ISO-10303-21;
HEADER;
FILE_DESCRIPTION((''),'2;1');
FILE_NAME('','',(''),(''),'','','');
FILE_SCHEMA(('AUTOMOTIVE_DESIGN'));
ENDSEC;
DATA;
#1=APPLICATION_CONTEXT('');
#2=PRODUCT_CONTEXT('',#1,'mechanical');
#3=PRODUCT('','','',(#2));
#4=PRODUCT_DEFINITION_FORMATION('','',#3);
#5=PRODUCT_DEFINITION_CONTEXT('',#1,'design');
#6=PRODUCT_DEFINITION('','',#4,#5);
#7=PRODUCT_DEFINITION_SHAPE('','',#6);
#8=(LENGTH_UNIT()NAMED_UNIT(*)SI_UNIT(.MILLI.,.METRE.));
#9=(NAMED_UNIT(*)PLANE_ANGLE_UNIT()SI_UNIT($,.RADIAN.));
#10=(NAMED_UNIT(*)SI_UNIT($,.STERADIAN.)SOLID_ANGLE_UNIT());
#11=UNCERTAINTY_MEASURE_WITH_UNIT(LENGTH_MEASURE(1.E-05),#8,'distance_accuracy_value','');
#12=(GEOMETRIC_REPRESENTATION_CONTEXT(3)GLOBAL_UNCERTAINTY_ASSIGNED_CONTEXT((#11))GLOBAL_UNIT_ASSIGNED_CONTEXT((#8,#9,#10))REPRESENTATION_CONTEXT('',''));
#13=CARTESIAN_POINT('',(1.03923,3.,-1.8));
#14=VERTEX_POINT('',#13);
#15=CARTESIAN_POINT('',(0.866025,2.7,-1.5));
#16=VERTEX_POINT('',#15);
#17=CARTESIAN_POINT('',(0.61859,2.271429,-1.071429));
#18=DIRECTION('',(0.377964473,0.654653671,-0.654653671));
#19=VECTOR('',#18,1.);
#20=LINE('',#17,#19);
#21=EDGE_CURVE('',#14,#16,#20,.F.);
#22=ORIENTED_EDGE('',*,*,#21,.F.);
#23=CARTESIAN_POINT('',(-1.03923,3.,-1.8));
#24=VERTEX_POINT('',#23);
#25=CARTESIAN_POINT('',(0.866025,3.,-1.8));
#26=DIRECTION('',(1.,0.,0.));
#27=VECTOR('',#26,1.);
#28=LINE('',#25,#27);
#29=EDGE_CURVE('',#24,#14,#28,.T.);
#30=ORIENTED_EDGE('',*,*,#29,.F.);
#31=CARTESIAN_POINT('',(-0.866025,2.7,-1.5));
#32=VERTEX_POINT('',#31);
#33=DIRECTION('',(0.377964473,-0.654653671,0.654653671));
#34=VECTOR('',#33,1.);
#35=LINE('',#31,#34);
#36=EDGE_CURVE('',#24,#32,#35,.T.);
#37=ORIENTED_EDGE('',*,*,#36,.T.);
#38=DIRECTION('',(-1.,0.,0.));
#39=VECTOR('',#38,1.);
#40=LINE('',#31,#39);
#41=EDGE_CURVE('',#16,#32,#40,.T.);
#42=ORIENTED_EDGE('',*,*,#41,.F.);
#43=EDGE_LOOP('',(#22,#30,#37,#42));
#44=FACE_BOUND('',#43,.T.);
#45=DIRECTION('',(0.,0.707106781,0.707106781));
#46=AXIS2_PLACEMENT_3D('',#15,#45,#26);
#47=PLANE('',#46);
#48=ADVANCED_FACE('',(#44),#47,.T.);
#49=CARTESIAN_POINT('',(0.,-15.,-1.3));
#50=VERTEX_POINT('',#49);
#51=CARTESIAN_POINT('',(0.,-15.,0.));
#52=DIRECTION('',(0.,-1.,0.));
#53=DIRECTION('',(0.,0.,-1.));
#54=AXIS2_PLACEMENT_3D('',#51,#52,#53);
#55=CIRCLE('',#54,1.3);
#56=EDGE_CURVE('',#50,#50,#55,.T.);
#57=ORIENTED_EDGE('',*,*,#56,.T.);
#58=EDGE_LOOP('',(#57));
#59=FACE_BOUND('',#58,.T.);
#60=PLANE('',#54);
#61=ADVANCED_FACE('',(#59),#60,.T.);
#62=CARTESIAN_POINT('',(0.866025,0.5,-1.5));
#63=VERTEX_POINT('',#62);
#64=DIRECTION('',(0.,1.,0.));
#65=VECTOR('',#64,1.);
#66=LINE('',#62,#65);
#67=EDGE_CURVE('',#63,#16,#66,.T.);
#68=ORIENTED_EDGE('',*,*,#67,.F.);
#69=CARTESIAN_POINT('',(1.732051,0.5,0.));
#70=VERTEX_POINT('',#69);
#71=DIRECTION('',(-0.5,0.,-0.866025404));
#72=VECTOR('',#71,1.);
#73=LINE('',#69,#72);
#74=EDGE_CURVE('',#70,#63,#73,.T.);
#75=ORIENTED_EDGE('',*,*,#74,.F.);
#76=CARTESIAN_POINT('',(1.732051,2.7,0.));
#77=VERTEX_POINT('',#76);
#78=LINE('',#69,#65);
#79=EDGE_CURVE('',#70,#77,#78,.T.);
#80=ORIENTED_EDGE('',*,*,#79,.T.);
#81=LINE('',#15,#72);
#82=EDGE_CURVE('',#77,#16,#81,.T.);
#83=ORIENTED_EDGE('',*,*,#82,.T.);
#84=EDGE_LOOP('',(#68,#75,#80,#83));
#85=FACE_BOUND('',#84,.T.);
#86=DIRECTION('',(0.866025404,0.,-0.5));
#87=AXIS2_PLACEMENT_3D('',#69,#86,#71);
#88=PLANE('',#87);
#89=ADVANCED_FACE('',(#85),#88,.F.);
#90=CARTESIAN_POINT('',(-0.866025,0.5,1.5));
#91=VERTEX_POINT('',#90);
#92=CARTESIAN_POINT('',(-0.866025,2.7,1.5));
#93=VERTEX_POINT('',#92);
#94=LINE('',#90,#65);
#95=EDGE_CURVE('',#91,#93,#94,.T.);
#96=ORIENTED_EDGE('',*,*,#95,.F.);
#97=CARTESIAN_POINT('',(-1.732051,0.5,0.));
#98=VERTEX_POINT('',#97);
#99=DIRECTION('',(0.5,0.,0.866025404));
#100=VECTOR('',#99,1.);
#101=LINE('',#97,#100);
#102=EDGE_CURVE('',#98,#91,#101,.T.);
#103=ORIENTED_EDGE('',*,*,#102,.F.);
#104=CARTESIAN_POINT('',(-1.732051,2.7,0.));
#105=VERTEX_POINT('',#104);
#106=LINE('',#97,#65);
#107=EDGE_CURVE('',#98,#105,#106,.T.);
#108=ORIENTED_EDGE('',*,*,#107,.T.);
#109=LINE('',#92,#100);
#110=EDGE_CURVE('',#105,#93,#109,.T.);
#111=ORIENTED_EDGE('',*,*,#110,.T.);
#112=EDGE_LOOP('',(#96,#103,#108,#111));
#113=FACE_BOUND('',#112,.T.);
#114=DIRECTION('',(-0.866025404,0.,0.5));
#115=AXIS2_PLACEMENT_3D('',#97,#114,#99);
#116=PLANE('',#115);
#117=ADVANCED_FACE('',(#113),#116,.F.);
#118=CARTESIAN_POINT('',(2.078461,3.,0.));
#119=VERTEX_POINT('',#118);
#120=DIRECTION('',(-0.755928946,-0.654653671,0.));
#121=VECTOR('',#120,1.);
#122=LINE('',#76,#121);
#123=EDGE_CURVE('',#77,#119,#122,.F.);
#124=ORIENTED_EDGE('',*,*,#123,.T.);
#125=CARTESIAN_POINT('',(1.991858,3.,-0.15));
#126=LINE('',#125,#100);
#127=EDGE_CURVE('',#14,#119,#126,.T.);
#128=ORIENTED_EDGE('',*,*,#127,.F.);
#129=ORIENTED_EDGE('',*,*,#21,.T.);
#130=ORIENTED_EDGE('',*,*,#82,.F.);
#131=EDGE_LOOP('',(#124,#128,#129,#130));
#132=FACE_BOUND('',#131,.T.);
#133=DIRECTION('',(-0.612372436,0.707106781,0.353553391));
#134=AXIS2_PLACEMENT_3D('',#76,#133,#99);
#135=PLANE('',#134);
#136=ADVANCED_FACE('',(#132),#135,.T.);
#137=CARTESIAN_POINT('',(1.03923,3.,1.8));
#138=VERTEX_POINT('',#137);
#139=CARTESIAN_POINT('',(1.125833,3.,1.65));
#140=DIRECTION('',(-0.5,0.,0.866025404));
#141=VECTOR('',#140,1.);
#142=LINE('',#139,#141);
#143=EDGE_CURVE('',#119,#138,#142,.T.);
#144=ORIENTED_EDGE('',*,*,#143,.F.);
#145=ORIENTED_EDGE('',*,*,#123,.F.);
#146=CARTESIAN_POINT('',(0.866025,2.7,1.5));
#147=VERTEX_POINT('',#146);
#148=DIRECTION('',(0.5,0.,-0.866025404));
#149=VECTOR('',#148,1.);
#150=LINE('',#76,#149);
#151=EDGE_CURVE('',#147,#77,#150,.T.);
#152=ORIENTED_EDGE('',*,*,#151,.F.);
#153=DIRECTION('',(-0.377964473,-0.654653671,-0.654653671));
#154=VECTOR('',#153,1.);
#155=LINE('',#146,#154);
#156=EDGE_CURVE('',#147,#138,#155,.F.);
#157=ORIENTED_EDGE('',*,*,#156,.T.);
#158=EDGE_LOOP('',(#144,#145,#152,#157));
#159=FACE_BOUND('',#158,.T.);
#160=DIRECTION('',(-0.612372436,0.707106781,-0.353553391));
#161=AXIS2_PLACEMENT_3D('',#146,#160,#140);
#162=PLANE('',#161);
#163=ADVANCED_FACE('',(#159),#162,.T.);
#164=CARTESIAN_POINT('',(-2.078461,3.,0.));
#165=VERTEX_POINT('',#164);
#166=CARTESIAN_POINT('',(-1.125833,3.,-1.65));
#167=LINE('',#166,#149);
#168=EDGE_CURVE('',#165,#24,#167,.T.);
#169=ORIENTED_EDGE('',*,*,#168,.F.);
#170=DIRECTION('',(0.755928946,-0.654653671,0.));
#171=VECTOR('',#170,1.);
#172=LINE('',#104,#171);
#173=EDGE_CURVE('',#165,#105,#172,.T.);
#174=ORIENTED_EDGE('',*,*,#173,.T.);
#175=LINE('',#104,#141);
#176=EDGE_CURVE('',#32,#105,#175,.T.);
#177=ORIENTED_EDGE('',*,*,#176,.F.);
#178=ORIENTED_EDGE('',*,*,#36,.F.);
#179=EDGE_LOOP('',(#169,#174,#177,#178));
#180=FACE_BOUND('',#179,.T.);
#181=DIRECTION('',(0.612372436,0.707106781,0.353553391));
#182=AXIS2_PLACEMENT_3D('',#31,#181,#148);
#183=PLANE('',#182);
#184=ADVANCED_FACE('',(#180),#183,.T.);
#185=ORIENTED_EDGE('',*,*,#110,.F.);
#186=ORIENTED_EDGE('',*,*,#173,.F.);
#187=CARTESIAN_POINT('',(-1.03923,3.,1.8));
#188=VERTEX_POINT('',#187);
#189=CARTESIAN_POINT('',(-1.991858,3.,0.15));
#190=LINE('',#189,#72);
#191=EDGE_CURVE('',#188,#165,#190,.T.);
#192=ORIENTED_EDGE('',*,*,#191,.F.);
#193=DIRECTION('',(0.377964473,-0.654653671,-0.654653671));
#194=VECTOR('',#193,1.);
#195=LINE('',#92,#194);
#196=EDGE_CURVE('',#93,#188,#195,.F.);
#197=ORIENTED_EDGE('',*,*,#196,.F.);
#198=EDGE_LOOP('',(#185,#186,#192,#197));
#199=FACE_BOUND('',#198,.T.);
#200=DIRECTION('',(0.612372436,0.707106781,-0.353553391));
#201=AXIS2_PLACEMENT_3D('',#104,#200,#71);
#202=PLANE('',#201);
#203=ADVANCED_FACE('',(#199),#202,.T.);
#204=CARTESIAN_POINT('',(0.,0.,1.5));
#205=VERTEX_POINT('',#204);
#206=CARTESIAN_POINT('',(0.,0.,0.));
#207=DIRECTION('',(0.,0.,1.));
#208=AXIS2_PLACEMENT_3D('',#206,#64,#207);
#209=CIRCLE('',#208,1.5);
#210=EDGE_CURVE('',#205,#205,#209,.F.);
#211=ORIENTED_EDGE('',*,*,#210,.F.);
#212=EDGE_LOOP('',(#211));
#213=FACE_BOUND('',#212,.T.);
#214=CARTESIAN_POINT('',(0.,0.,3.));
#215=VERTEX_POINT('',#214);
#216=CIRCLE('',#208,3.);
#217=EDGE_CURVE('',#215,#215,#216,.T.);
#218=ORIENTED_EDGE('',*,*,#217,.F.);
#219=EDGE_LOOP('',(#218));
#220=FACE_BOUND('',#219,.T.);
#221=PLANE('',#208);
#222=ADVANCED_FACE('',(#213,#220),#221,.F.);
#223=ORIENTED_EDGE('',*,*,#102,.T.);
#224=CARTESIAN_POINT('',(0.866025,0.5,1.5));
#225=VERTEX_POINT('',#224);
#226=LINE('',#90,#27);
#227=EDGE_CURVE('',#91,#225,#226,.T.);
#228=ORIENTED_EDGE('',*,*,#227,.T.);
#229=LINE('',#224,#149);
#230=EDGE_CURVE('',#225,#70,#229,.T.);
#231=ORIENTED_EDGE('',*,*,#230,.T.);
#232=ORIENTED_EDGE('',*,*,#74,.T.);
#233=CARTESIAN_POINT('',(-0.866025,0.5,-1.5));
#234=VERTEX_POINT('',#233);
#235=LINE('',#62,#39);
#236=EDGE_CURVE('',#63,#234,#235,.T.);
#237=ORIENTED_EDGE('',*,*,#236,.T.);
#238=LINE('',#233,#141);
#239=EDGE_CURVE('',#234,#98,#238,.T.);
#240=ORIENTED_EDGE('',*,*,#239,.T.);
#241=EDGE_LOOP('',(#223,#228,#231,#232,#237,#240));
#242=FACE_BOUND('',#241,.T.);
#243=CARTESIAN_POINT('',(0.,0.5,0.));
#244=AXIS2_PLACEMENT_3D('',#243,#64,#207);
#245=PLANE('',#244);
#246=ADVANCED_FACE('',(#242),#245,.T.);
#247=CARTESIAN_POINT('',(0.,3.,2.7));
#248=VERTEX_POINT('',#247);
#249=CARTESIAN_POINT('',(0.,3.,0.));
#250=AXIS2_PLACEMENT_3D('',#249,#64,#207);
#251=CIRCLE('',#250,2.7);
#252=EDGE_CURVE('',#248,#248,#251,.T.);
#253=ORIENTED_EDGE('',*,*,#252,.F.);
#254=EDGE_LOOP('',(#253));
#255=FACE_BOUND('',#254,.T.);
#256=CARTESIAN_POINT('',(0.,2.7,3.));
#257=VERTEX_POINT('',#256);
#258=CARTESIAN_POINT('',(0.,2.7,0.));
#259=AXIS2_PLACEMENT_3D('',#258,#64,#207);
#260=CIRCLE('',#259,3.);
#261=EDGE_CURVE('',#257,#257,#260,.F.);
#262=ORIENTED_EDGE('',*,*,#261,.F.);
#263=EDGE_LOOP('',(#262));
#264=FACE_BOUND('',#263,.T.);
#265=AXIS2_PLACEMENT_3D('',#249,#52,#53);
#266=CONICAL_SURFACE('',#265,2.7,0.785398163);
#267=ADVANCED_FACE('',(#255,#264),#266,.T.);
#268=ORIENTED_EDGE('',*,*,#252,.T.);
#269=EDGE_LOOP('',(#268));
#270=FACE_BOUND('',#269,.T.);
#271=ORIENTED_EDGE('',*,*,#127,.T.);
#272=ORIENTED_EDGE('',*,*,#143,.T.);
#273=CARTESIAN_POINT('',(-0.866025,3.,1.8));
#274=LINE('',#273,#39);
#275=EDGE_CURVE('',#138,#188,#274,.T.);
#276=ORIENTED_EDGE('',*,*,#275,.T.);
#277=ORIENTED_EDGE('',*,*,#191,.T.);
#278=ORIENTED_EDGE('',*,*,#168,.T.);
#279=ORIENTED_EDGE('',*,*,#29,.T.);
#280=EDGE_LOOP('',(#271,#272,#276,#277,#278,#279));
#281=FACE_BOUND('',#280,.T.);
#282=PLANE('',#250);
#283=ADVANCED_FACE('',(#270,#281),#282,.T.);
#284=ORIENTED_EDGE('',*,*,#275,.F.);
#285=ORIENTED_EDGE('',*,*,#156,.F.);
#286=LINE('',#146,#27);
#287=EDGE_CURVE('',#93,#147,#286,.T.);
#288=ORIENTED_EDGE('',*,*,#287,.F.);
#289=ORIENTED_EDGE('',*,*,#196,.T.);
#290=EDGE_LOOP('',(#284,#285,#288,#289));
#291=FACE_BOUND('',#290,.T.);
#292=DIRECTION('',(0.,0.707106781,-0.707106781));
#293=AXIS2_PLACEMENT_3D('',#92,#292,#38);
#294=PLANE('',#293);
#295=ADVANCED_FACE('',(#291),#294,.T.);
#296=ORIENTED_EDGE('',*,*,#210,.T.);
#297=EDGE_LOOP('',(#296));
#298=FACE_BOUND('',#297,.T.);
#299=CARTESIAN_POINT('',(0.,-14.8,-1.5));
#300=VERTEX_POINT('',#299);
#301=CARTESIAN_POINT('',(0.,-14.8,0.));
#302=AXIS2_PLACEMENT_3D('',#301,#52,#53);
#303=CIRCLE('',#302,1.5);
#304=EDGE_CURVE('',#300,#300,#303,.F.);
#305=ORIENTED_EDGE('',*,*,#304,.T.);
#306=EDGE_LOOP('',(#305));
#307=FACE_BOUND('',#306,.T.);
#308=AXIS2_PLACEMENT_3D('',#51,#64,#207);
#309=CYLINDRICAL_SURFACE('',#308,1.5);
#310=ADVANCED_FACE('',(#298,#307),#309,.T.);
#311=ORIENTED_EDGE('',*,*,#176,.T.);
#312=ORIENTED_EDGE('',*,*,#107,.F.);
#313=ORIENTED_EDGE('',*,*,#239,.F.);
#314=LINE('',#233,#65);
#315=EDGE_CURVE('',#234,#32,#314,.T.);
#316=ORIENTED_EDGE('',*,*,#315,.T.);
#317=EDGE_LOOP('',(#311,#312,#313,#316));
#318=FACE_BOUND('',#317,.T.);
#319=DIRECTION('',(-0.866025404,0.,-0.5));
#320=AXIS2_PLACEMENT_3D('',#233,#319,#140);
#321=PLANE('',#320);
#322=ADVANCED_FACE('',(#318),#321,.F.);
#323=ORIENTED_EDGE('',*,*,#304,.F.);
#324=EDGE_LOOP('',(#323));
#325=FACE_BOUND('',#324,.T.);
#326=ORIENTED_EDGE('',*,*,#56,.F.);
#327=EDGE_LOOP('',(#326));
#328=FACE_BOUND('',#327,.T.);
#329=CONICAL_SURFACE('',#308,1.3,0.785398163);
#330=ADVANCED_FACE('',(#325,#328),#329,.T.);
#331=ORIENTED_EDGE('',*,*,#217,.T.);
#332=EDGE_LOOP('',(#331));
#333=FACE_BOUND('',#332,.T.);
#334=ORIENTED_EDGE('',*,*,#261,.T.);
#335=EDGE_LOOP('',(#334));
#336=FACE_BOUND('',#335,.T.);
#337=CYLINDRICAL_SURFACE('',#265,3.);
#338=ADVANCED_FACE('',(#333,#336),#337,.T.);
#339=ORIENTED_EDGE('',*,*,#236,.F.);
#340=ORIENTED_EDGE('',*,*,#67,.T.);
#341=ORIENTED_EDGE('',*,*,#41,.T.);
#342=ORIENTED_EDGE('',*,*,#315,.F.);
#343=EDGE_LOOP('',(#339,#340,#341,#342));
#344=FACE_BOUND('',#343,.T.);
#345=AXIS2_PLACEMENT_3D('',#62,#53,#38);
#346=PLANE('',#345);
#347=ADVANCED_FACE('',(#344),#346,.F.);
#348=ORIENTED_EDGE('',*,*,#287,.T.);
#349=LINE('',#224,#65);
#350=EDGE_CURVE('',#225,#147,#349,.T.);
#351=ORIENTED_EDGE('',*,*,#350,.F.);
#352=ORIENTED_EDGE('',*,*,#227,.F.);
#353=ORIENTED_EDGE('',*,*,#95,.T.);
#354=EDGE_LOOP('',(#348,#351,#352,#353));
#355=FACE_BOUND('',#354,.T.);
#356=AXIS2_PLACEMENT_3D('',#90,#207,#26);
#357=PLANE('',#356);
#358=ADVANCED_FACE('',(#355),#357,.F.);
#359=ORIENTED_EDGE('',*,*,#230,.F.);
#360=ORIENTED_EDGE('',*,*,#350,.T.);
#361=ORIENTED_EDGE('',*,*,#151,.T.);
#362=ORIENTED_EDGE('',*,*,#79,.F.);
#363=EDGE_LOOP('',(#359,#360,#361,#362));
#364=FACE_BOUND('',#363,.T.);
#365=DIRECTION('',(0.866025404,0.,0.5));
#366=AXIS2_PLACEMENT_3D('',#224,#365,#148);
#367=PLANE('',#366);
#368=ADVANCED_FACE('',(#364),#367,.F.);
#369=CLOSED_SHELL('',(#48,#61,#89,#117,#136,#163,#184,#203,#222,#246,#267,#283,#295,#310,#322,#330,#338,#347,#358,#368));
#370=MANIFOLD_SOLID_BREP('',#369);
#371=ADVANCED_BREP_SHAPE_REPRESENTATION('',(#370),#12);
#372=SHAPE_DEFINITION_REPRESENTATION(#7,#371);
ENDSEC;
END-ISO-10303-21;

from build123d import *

# Parameters (mm, degrees)
SKETCH1_R           = 3
BOSS_EXTRUDE1_DEPTH = 3
CHAMFER1_SIZE       = 0.3
CUT_EXTRUDE1_DEPTH  = 2.5
CHAMFER2_SIZE       = 0.3
SKETCH3_R           = 1.5
BOSS_EXTRUDE2_DEPTH = 15
CHAMFER3_SIZE       = 0.2


with BuildPart() as part:
    # Sketch1 → Boss-Extrude1 (new body)
    with BuildSketch(Plane(origin=(0, 0, 0), x_dir=(1, 0, 0), z_dir=(0, 1, 0))):
        with Locations(Location((0, 0, 0), (0, 0, 270))):  # turned: the seam where the file's is
            Circle(SKETCH1_R)
    extrude(amount=BOSS_EXTRUDE1_DEPTH)

    # Chamfer1
    chamfer1_edges = [part.edges().sort_by_distance(p)[0] for p in [
        (0, 3, -3),
    ]]
    chamfer(chamfer1_edges, length=CHAMFER1_SIZE)

    # Sketch2 → Cut-Extrude1 (cut)
    with BuildSketch(Plane(origin=(0, 3, 0), x_dir=(1, 0, 0), z_dir=(0, 1, 0))):
        Polygon((1.732050808, 0), (0.866025404, 1.5), (-0.866025404, 1.5), (-1.732050808, 0), (-0.866025404, -1.5), (0.866025404, -1.5), align=None)
    extrude(amount=-CUT_EXTRUDE1_DEPTH, mode=Mode.SUBTRACT)

    # Chamfer2
    chamfer2_edges = [part.edges().sort_by_distance(p)[0] for p in [
        (1.299038106, 3, 0.75),
        (1.299038106, 3, -0.75),
        (0, 3, -1.5),
        (-1.299038106, 3, -0.75),
        (-1.299038106, 3, 0.75),
        (0, 3, 1.5),
    ]]
    chamfer(chamfer2_edges, length=CHAMFER2_SIZE)

    # Sketch3 → Boss-Extrude2 (add)
    with BuildSketch(Plane.XZ):
        with Locations(Location((0, 0, 0), (0, 0, 90))):  # turned: the seam where the file's is
            Circle(SKETCH3_R)
    extrude(amount=BOSS_EXTRUDE2_DEPTH)

    # Chamfer3
    chamfer3_edges = [part.edges().sort_by_distance(p)[0] for p in [
        (0, -15, -1.5),
    ]]
    chamfer(chamfer3_edges, length=CHAMFER3_SIZE)


solid = part.part
